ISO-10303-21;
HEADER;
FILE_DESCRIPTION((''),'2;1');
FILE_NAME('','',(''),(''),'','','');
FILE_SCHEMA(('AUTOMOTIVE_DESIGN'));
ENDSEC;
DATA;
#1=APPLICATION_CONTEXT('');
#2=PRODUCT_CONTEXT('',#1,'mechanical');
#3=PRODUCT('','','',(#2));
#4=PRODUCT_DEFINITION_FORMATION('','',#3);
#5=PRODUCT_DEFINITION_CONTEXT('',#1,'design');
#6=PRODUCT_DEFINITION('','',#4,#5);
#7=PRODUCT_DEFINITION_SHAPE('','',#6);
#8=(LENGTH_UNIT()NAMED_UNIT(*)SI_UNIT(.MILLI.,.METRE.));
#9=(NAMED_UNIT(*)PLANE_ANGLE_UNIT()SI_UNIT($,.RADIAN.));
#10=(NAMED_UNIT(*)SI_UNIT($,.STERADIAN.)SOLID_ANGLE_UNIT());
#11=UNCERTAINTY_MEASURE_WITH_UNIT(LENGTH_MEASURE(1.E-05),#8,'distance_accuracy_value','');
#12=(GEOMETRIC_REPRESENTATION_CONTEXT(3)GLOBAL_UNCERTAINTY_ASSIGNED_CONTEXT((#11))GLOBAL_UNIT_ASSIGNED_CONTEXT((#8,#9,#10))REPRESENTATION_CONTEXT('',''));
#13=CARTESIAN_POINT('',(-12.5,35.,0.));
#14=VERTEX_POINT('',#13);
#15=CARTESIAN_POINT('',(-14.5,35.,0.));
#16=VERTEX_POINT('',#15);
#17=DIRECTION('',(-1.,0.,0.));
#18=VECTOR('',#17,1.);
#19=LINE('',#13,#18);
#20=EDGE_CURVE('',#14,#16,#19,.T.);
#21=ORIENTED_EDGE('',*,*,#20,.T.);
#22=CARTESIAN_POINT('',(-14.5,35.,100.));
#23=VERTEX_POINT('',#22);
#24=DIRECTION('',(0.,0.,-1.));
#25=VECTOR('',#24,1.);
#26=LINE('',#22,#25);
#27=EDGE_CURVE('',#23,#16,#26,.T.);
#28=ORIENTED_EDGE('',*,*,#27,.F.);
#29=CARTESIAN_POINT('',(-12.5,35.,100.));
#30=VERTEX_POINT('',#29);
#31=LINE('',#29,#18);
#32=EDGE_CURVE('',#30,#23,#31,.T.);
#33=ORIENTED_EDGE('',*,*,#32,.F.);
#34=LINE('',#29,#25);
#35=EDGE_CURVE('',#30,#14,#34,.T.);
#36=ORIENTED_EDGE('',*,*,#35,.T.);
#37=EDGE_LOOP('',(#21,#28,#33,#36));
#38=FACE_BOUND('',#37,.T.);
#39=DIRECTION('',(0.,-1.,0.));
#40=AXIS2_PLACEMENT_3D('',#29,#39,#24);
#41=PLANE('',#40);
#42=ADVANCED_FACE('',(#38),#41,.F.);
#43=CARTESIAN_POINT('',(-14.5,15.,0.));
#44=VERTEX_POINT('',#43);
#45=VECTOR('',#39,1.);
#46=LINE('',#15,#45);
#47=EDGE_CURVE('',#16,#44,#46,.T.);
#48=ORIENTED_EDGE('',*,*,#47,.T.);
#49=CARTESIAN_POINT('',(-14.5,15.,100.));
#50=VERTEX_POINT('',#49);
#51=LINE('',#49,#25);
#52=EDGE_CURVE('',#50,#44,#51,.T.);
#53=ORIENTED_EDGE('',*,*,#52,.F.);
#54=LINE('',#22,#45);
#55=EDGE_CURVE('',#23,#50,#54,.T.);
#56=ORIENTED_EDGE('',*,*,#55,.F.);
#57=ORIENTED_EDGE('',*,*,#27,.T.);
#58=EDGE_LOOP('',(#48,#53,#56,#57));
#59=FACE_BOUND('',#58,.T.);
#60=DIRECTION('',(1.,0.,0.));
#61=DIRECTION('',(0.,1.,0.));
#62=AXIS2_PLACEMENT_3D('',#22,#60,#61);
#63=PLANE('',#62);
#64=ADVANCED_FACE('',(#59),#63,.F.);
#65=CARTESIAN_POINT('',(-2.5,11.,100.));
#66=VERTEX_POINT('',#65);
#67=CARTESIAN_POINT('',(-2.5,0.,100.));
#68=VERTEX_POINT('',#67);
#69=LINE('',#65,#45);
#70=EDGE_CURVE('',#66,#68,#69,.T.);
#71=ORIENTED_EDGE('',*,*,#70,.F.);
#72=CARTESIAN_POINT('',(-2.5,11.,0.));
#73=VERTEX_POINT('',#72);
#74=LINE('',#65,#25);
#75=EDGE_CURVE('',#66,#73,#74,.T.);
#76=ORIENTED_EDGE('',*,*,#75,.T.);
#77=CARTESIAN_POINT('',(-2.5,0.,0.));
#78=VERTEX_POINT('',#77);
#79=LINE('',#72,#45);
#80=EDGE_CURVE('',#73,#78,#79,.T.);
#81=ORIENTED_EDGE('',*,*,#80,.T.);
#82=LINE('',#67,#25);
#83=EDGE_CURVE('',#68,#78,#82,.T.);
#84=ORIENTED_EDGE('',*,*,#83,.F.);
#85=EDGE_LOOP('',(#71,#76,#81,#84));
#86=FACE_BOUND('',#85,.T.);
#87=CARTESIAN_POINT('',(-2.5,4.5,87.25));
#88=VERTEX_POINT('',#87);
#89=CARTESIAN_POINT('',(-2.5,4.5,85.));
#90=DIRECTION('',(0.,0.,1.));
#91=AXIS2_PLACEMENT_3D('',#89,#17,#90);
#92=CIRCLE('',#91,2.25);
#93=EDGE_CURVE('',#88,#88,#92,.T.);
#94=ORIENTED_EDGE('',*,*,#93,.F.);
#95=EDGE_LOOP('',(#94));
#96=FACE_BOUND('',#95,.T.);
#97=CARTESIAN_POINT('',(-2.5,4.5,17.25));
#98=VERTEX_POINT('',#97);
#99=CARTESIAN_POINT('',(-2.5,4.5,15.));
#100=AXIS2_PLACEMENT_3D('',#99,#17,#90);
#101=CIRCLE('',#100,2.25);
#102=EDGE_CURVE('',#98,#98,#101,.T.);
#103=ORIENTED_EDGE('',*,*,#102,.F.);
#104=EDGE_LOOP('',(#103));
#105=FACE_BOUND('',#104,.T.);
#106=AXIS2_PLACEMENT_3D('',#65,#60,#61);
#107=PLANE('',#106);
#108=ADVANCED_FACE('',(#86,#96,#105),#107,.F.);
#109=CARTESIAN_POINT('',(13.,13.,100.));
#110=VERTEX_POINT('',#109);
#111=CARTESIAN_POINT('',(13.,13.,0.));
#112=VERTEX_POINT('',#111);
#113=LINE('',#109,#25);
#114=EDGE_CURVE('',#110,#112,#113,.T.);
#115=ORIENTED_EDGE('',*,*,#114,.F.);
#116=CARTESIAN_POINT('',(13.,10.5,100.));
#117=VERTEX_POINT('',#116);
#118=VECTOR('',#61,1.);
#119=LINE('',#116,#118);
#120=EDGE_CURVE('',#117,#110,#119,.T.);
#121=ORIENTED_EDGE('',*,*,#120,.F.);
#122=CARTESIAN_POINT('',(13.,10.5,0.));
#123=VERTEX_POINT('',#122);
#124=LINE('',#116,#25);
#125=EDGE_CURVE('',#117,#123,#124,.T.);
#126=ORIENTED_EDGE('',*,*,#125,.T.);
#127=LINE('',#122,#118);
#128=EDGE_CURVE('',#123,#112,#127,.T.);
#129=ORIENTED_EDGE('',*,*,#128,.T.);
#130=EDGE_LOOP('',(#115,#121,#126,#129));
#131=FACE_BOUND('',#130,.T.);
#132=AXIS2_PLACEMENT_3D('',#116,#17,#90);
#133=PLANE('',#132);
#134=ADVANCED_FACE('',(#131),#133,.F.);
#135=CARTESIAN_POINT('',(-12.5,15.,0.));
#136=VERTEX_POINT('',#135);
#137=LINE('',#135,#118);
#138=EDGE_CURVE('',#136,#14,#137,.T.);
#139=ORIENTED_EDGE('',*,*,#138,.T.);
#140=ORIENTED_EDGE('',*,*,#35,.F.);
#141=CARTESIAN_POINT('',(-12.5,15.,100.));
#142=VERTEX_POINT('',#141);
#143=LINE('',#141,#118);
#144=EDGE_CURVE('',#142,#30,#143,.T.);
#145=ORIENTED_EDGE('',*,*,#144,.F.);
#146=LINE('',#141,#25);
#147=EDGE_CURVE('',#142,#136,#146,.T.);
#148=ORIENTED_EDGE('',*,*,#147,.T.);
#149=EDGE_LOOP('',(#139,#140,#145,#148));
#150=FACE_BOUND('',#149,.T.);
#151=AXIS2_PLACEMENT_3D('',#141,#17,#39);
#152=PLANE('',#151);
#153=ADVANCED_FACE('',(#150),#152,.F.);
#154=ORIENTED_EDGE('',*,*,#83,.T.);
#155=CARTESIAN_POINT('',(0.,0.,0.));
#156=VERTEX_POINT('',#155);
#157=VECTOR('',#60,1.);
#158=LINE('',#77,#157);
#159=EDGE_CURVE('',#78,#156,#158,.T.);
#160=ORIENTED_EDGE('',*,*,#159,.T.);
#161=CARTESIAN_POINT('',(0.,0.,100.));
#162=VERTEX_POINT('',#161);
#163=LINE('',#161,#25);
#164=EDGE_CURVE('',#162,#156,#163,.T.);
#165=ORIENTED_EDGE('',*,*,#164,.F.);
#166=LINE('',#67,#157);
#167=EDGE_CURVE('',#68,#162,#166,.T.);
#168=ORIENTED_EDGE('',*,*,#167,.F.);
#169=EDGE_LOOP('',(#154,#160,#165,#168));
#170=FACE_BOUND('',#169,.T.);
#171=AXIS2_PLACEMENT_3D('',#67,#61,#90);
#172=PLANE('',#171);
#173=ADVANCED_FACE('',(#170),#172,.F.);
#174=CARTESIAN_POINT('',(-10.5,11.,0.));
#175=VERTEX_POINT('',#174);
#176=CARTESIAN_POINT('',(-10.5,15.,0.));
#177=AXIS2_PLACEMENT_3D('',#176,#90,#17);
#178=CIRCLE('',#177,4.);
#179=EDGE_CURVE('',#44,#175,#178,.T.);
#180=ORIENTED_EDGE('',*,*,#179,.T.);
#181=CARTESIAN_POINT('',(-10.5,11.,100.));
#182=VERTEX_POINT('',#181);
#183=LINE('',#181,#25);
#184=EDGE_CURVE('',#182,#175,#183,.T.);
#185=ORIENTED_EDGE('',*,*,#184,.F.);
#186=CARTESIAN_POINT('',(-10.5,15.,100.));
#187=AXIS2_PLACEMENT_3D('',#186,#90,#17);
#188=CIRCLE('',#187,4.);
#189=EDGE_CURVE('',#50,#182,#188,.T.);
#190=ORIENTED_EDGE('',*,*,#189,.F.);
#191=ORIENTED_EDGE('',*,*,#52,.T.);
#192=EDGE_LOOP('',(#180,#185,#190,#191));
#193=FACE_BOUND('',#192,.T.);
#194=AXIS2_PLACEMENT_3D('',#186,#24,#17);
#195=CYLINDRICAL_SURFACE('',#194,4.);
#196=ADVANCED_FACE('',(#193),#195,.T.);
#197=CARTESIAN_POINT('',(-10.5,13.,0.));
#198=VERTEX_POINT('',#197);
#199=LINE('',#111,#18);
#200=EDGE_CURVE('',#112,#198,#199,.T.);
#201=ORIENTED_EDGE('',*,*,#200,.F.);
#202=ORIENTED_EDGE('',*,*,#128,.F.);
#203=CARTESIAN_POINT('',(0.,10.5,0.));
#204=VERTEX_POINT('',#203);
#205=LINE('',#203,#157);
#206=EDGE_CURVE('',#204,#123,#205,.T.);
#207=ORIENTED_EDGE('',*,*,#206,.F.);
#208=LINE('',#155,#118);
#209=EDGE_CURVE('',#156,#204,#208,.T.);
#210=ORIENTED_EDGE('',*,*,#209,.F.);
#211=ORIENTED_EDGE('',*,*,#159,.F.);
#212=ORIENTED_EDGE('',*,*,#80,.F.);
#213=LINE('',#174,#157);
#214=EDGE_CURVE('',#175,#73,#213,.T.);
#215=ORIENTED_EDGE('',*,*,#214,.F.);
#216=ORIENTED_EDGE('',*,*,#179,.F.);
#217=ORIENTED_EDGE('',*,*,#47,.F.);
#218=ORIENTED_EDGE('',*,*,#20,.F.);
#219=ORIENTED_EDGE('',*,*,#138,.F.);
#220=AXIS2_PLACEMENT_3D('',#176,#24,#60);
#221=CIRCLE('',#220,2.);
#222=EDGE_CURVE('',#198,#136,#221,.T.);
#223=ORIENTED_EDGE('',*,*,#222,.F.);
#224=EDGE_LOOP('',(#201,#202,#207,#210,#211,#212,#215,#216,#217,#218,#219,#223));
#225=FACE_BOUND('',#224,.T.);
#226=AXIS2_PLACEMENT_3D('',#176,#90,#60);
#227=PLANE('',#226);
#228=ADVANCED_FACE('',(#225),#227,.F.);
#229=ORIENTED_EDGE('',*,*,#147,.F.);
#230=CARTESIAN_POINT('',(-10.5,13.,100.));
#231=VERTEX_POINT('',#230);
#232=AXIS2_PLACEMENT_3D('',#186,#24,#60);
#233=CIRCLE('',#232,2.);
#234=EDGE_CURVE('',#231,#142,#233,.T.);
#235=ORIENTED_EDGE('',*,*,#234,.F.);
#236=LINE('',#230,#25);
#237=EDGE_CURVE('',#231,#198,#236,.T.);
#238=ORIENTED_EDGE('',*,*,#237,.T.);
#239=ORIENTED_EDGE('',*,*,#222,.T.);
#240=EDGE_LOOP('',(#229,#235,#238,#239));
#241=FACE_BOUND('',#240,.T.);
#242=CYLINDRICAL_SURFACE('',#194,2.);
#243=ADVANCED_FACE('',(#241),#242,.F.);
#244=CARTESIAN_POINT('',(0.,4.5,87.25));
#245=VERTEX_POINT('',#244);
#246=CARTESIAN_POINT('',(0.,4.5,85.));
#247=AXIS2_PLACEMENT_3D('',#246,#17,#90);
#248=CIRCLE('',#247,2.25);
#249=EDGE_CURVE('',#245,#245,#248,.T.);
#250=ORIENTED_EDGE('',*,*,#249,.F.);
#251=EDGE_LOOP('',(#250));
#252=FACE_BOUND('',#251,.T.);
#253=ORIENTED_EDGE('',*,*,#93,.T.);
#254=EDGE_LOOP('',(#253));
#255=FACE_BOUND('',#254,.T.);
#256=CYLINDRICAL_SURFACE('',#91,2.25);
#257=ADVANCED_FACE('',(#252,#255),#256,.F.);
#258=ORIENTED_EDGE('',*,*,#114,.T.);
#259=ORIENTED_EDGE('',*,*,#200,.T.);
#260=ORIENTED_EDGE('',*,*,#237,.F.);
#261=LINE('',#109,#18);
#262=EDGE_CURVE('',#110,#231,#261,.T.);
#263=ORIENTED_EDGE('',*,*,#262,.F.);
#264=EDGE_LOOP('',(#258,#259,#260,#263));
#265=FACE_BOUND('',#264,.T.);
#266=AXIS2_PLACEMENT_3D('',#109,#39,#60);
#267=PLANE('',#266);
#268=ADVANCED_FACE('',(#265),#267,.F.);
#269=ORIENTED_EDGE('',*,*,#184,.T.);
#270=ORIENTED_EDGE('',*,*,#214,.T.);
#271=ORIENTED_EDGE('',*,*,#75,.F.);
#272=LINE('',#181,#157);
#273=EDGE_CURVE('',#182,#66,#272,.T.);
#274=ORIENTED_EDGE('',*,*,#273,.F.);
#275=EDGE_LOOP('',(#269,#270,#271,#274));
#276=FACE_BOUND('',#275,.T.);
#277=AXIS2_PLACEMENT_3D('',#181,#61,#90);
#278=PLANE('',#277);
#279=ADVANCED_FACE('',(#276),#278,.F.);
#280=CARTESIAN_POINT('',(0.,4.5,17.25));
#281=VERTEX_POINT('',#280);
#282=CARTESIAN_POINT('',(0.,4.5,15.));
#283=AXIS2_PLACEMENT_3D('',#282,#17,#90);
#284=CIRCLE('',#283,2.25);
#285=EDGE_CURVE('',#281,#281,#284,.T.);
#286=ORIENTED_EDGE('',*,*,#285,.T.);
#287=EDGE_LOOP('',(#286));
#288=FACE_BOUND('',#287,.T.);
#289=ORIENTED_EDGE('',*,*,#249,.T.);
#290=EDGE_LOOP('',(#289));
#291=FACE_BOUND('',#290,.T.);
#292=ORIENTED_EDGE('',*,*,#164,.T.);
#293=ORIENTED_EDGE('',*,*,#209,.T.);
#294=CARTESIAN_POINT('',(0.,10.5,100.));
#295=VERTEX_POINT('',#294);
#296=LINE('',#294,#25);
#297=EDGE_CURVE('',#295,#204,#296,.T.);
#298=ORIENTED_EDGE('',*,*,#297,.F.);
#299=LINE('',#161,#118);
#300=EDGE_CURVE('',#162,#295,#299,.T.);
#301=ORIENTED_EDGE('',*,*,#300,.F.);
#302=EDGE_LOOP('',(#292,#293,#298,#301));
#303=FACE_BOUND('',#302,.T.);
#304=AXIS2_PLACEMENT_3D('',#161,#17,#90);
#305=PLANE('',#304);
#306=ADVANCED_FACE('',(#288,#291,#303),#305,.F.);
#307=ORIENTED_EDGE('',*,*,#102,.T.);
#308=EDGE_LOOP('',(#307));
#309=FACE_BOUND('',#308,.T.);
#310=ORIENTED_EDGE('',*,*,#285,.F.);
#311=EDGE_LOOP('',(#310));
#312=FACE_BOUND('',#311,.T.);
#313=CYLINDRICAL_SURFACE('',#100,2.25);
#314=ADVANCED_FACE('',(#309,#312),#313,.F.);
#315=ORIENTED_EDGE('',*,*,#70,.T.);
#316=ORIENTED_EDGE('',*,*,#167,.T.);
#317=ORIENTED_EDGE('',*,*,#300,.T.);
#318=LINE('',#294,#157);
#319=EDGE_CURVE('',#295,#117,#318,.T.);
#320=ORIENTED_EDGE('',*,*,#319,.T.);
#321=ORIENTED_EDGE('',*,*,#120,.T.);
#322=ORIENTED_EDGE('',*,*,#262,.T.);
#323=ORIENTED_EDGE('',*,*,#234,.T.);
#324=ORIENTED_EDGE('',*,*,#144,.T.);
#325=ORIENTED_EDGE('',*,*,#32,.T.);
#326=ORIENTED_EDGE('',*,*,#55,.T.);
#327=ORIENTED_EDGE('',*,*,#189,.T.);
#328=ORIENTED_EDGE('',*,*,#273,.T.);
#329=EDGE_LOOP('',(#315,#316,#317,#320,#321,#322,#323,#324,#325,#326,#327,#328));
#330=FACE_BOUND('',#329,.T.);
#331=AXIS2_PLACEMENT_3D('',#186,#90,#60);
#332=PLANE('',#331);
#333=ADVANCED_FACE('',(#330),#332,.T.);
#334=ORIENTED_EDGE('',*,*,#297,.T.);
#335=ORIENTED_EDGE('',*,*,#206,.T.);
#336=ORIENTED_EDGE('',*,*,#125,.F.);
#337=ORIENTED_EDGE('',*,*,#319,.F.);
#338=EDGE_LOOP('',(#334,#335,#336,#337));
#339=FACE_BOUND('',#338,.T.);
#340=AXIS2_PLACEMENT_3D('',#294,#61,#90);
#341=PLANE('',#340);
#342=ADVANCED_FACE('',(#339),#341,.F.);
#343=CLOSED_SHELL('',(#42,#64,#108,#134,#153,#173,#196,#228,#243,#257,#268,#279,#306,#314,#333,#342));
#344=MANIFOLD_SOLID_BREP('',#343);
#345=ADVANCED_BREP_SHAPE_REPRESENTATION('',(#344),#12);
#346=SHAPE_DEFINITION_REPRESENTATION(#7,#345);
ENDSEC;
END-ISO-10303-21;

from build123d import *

# Parameters (mm, degrees)
ESTRUSIONE_ESTRUSIONE1_DEPTH = 100
FORO_PER_VITE_M4_1_D         = 4.5
FORO_PER_VITE_M4_1_DEPTH     = 30
FORO_PER_VITE_M4_1_TIP       = 1.351936393


with BuildPart() as part:
    # Schizzo1 → Estrusione-Estrusione1 (new body)
    with BuildSketch(Plane.XY):
        with BuildLine():
            Line((-2.5, 0), (0, 0))
            Line((0, 0), (0, 10.5))
            Line((0, 10.5), (13, 10.5))
            Line((13, 10.5), (13, 13))
            Line((13, 13), (-10.5, 13))
            ThreePointArc((-10.5, 13), (-11.914213562, 13.585786438), (-12.5, 15))
            Line((-12.5, 15), (-12.5, 35))
            Line((-12.5, 35), (-14.5, 35))
            Line((-14.5, 35), (-14.5, 15))
            ThreePointArc((-14.5, 15), (-13.328427125, 12.171572875), (-10.5, 11))
            Line((-10.5, 11), (-2.5, 11))
            Line((-2.5, 11), (-2.5, 0))
        make_face()
    extrude(amount=ESTRUSIONE_ESTRUSIONE1_DEPTH)

    # Foro per Vite M4-1
    with Locations(Plane.ZY.offset(2.5)):
        with Locations((15, 4.5), (85, 4.5)):
            Hole(FORO_PER_VITE_M4_1_D / 2, depth=FORO_PER_VITE_M4_1_DEPTH)
            with Locations((0, 0, -(FORO_PER_VITE_M4_1_DEPTH + FORO_PER_VITE_M4_1_TIP / 2))):  # 118° drill point
                Cone(0, FORO_PER_VITE_M4_1_D / 2, FORO_PER_VITE_M4_1_TIP, mode=Mode.SUBTRACT)


solid = part.part
